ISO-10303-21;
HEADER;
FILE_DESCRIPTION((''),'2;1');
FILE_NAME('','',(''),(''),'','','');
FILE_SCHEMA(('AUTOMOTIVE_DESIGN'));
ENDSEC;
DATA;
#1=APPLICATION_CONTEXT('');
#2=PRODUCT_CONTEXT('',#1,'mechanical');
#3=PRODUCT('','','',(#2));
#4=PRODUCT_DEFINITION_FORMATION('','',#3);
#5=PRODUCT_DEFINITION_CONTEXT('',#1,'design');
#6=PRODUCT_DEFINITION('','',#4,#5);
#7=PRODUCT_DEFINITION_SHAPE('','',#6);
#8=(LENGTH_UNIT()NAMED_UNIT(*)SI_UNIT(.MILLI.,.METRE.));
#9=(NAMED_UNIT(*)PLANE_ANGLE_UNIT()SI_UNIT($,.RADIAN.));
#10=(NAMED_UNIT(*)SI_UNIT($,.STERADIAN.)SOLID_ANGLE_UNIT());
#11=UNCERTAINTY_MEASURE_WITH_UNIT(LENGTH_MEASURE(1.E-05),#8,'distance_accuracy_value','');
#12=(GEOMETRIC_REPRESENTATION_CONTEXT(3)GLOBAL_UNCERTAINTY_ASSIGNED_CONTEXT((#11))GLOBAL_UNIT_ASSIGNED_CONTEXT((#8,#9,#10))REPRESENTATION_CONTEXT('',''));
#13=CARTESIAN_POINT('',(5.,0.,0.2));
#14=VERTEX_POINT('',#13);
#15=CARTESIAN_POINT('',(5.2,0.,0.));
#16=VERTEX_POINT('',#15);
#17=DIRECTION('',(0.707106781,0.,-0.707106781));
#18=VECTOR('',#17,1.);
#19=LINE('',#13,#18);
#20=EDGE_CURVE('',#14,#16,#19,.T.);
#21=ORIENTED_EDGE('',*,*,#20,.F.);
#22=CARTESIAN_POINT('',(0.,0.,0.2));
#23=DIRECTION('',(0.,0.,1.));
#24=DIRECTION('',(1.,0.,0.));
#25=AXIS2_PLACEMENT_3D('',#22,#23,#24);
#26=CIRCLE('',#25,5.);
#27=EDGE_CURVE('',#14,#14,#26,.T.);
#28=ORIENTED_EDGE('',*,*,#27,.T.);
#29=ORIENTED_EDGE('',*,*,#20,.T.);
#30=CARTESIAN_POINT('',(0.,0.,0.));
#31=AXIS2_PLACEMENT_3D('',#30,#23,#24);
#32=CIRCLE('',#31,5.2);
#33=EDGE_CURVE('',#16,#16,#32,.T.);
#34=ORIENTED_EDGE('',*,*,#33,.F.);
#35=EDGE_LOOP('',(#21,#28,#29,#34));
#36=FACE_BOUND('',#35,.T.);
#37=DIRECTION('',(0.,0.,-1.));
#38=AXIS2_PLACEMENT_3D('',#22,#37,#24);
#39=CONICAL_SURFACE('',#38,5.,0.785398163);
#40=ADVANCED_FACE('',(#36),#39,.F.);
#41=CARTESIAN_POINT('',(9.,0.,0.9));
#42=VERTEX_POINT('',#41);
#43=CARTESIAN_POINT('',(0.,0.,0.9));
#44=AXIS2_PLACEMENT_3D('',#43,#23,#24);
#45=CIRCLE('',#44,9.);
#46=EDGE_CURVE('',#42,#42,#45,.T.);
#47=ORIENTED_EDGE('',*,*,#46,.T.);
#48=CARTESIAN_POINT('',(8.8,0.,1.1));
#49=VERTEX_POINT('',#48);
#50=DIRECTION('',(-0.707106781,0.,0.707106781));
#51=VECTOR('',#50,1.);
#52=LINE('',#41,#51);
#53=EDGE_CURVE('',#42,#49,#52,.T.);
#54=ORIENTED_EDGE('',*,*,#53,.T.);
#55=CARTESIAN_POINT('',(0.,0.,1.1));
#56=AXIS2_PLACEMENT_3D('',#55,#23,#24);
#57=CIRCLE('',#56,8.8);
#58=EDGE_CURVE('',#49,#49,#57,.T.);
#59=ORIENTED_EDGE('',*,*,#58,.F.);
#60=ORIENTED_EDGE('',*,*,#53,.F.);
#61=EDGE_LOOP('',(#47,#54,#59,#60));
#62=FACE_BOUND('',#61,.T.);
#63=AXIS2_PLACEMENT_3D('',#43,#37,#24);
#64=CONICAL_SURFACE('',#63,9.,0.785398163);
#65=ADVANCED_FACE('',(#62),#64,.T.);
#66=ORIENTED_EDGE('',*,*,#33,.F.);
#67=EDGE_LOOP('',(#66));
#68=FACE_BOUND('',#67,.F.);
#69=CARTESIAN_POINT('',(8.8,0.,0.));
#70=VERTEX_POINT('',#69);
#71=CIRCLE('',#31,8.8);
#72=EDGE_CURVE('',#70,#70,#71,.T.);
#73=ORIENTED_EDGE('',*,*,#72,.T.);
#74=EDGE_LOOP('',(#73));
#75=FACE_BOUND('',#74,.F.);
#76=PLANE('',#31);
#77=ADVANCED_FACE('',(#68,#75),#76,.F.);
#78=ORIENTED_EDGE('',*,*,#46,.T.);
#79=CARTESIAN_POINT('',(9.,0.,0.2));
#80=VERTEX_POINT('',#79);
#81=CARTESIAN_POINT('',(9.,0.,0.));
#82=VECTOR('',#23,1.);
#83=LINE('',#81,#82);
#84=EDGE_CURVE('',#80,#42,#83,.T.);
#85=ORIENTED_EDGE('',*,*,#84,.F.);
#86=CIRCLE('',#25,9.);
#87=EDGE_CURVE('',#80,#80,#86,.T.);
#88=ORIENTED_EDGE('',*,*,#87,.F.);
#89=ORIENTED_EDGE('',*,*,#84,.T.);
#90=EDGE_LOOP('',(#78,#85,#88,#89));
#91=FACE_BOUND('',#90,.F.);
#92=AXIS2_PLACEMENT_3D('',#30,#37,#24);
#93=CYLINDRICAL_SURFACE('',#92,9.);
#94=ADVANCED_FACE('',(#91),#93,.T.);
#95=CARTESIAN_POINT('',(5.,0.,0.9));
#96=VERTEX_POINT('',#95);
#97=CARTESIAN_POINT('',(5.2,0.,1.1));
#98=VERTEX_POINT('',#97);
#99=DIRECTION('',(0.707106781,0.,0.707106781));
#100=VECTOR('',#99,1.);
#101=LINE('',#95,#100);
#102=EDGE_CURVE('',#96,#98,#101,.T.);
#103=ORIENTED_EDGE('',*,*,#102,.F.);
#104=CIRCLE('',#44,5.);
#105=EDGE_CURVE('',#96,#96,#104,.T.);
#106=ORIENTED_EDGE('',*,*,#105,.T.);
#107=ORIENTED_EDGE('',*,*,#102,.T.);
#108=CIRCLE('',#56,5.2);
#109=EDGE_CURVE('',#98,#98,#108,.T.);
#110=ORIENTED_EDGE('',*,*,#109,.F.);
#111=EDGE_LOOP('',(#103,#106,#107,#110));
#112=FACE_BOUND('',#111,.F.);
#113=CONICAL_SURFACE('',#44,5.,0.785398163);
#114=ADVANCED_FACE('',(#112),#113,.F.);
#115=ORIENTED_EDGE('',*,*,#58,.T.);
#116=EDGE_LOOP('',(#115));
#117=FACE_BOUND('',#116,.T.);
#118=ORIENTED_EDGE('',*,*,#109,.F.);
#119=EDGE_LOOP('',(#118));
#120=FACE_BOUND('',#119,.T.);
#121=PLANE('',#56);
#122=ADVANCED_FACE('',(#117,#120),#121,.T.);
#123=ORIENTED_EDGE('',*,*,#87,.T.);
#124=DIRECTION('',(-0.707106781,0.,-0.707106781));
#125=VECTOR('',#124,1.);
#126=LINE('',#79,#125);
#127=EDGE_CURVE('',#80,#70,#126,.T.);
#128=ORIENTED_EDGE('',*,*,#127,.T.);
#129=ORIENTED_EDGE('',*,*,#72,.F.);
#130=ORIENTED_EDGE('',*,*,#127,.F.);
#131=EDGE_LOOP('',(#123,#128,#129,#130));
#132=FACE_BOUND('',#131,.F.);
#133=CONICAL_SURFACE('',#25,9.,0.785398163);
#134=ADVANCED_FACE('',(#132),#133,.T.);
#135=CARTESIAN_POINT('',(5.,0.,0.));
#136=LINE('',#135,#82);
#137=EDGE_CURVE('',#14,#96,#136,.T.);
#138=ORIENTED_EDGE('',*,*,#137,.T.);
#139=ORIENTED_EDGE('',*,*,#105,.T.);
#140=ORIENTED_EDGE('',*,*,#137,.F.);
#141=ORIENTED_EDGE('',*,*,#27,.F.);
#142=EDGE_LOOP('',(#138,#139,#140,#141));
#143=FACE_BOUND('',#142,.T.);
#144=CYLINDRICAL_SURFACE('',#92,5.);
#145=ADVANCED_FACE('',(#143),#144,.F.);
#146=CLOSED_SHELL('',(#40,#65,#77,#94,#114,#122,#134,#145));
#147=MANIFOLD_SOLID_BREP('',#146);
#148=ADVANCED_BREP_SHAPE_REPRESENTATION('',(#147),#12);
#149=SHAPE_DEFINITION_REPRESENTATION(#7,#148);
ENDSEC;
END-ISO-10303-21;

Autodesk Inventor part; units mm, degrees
ref_plane "YZ Plane" through (0, 0, 0) normal (1, 0, 0) x (0, 1, 0)
ref_plane "XZ Plane" through (0, 0, 0) normal (0, 1, 0) x (-1, 0, 0)
ref_plane "XY Plane" through (0, 0, 0) normal (0, 0, 1) x (1, 0, 0)
sketch "Sketch1" plane through (0, 0, 0) normal (0, 0, 1) x (1, 0, 0)
  circle A0 centre (0, 0) radius 5
  circle A1 centre (0, 0) radius 9
  dimension "d0" = 10
  dimension "d1" = 18
extrude "Extrusion1" add sketch "Sketch1" along normal blind 1.1
chamfer "Chamfer1" distance 0.2 angle 45 4 edges at (-9, 0, 1.1) (-5, 0, 1.1) (-5, 0, 0) (-9, 0, 0)
properties part number "Separador16mm" material "Steel"
